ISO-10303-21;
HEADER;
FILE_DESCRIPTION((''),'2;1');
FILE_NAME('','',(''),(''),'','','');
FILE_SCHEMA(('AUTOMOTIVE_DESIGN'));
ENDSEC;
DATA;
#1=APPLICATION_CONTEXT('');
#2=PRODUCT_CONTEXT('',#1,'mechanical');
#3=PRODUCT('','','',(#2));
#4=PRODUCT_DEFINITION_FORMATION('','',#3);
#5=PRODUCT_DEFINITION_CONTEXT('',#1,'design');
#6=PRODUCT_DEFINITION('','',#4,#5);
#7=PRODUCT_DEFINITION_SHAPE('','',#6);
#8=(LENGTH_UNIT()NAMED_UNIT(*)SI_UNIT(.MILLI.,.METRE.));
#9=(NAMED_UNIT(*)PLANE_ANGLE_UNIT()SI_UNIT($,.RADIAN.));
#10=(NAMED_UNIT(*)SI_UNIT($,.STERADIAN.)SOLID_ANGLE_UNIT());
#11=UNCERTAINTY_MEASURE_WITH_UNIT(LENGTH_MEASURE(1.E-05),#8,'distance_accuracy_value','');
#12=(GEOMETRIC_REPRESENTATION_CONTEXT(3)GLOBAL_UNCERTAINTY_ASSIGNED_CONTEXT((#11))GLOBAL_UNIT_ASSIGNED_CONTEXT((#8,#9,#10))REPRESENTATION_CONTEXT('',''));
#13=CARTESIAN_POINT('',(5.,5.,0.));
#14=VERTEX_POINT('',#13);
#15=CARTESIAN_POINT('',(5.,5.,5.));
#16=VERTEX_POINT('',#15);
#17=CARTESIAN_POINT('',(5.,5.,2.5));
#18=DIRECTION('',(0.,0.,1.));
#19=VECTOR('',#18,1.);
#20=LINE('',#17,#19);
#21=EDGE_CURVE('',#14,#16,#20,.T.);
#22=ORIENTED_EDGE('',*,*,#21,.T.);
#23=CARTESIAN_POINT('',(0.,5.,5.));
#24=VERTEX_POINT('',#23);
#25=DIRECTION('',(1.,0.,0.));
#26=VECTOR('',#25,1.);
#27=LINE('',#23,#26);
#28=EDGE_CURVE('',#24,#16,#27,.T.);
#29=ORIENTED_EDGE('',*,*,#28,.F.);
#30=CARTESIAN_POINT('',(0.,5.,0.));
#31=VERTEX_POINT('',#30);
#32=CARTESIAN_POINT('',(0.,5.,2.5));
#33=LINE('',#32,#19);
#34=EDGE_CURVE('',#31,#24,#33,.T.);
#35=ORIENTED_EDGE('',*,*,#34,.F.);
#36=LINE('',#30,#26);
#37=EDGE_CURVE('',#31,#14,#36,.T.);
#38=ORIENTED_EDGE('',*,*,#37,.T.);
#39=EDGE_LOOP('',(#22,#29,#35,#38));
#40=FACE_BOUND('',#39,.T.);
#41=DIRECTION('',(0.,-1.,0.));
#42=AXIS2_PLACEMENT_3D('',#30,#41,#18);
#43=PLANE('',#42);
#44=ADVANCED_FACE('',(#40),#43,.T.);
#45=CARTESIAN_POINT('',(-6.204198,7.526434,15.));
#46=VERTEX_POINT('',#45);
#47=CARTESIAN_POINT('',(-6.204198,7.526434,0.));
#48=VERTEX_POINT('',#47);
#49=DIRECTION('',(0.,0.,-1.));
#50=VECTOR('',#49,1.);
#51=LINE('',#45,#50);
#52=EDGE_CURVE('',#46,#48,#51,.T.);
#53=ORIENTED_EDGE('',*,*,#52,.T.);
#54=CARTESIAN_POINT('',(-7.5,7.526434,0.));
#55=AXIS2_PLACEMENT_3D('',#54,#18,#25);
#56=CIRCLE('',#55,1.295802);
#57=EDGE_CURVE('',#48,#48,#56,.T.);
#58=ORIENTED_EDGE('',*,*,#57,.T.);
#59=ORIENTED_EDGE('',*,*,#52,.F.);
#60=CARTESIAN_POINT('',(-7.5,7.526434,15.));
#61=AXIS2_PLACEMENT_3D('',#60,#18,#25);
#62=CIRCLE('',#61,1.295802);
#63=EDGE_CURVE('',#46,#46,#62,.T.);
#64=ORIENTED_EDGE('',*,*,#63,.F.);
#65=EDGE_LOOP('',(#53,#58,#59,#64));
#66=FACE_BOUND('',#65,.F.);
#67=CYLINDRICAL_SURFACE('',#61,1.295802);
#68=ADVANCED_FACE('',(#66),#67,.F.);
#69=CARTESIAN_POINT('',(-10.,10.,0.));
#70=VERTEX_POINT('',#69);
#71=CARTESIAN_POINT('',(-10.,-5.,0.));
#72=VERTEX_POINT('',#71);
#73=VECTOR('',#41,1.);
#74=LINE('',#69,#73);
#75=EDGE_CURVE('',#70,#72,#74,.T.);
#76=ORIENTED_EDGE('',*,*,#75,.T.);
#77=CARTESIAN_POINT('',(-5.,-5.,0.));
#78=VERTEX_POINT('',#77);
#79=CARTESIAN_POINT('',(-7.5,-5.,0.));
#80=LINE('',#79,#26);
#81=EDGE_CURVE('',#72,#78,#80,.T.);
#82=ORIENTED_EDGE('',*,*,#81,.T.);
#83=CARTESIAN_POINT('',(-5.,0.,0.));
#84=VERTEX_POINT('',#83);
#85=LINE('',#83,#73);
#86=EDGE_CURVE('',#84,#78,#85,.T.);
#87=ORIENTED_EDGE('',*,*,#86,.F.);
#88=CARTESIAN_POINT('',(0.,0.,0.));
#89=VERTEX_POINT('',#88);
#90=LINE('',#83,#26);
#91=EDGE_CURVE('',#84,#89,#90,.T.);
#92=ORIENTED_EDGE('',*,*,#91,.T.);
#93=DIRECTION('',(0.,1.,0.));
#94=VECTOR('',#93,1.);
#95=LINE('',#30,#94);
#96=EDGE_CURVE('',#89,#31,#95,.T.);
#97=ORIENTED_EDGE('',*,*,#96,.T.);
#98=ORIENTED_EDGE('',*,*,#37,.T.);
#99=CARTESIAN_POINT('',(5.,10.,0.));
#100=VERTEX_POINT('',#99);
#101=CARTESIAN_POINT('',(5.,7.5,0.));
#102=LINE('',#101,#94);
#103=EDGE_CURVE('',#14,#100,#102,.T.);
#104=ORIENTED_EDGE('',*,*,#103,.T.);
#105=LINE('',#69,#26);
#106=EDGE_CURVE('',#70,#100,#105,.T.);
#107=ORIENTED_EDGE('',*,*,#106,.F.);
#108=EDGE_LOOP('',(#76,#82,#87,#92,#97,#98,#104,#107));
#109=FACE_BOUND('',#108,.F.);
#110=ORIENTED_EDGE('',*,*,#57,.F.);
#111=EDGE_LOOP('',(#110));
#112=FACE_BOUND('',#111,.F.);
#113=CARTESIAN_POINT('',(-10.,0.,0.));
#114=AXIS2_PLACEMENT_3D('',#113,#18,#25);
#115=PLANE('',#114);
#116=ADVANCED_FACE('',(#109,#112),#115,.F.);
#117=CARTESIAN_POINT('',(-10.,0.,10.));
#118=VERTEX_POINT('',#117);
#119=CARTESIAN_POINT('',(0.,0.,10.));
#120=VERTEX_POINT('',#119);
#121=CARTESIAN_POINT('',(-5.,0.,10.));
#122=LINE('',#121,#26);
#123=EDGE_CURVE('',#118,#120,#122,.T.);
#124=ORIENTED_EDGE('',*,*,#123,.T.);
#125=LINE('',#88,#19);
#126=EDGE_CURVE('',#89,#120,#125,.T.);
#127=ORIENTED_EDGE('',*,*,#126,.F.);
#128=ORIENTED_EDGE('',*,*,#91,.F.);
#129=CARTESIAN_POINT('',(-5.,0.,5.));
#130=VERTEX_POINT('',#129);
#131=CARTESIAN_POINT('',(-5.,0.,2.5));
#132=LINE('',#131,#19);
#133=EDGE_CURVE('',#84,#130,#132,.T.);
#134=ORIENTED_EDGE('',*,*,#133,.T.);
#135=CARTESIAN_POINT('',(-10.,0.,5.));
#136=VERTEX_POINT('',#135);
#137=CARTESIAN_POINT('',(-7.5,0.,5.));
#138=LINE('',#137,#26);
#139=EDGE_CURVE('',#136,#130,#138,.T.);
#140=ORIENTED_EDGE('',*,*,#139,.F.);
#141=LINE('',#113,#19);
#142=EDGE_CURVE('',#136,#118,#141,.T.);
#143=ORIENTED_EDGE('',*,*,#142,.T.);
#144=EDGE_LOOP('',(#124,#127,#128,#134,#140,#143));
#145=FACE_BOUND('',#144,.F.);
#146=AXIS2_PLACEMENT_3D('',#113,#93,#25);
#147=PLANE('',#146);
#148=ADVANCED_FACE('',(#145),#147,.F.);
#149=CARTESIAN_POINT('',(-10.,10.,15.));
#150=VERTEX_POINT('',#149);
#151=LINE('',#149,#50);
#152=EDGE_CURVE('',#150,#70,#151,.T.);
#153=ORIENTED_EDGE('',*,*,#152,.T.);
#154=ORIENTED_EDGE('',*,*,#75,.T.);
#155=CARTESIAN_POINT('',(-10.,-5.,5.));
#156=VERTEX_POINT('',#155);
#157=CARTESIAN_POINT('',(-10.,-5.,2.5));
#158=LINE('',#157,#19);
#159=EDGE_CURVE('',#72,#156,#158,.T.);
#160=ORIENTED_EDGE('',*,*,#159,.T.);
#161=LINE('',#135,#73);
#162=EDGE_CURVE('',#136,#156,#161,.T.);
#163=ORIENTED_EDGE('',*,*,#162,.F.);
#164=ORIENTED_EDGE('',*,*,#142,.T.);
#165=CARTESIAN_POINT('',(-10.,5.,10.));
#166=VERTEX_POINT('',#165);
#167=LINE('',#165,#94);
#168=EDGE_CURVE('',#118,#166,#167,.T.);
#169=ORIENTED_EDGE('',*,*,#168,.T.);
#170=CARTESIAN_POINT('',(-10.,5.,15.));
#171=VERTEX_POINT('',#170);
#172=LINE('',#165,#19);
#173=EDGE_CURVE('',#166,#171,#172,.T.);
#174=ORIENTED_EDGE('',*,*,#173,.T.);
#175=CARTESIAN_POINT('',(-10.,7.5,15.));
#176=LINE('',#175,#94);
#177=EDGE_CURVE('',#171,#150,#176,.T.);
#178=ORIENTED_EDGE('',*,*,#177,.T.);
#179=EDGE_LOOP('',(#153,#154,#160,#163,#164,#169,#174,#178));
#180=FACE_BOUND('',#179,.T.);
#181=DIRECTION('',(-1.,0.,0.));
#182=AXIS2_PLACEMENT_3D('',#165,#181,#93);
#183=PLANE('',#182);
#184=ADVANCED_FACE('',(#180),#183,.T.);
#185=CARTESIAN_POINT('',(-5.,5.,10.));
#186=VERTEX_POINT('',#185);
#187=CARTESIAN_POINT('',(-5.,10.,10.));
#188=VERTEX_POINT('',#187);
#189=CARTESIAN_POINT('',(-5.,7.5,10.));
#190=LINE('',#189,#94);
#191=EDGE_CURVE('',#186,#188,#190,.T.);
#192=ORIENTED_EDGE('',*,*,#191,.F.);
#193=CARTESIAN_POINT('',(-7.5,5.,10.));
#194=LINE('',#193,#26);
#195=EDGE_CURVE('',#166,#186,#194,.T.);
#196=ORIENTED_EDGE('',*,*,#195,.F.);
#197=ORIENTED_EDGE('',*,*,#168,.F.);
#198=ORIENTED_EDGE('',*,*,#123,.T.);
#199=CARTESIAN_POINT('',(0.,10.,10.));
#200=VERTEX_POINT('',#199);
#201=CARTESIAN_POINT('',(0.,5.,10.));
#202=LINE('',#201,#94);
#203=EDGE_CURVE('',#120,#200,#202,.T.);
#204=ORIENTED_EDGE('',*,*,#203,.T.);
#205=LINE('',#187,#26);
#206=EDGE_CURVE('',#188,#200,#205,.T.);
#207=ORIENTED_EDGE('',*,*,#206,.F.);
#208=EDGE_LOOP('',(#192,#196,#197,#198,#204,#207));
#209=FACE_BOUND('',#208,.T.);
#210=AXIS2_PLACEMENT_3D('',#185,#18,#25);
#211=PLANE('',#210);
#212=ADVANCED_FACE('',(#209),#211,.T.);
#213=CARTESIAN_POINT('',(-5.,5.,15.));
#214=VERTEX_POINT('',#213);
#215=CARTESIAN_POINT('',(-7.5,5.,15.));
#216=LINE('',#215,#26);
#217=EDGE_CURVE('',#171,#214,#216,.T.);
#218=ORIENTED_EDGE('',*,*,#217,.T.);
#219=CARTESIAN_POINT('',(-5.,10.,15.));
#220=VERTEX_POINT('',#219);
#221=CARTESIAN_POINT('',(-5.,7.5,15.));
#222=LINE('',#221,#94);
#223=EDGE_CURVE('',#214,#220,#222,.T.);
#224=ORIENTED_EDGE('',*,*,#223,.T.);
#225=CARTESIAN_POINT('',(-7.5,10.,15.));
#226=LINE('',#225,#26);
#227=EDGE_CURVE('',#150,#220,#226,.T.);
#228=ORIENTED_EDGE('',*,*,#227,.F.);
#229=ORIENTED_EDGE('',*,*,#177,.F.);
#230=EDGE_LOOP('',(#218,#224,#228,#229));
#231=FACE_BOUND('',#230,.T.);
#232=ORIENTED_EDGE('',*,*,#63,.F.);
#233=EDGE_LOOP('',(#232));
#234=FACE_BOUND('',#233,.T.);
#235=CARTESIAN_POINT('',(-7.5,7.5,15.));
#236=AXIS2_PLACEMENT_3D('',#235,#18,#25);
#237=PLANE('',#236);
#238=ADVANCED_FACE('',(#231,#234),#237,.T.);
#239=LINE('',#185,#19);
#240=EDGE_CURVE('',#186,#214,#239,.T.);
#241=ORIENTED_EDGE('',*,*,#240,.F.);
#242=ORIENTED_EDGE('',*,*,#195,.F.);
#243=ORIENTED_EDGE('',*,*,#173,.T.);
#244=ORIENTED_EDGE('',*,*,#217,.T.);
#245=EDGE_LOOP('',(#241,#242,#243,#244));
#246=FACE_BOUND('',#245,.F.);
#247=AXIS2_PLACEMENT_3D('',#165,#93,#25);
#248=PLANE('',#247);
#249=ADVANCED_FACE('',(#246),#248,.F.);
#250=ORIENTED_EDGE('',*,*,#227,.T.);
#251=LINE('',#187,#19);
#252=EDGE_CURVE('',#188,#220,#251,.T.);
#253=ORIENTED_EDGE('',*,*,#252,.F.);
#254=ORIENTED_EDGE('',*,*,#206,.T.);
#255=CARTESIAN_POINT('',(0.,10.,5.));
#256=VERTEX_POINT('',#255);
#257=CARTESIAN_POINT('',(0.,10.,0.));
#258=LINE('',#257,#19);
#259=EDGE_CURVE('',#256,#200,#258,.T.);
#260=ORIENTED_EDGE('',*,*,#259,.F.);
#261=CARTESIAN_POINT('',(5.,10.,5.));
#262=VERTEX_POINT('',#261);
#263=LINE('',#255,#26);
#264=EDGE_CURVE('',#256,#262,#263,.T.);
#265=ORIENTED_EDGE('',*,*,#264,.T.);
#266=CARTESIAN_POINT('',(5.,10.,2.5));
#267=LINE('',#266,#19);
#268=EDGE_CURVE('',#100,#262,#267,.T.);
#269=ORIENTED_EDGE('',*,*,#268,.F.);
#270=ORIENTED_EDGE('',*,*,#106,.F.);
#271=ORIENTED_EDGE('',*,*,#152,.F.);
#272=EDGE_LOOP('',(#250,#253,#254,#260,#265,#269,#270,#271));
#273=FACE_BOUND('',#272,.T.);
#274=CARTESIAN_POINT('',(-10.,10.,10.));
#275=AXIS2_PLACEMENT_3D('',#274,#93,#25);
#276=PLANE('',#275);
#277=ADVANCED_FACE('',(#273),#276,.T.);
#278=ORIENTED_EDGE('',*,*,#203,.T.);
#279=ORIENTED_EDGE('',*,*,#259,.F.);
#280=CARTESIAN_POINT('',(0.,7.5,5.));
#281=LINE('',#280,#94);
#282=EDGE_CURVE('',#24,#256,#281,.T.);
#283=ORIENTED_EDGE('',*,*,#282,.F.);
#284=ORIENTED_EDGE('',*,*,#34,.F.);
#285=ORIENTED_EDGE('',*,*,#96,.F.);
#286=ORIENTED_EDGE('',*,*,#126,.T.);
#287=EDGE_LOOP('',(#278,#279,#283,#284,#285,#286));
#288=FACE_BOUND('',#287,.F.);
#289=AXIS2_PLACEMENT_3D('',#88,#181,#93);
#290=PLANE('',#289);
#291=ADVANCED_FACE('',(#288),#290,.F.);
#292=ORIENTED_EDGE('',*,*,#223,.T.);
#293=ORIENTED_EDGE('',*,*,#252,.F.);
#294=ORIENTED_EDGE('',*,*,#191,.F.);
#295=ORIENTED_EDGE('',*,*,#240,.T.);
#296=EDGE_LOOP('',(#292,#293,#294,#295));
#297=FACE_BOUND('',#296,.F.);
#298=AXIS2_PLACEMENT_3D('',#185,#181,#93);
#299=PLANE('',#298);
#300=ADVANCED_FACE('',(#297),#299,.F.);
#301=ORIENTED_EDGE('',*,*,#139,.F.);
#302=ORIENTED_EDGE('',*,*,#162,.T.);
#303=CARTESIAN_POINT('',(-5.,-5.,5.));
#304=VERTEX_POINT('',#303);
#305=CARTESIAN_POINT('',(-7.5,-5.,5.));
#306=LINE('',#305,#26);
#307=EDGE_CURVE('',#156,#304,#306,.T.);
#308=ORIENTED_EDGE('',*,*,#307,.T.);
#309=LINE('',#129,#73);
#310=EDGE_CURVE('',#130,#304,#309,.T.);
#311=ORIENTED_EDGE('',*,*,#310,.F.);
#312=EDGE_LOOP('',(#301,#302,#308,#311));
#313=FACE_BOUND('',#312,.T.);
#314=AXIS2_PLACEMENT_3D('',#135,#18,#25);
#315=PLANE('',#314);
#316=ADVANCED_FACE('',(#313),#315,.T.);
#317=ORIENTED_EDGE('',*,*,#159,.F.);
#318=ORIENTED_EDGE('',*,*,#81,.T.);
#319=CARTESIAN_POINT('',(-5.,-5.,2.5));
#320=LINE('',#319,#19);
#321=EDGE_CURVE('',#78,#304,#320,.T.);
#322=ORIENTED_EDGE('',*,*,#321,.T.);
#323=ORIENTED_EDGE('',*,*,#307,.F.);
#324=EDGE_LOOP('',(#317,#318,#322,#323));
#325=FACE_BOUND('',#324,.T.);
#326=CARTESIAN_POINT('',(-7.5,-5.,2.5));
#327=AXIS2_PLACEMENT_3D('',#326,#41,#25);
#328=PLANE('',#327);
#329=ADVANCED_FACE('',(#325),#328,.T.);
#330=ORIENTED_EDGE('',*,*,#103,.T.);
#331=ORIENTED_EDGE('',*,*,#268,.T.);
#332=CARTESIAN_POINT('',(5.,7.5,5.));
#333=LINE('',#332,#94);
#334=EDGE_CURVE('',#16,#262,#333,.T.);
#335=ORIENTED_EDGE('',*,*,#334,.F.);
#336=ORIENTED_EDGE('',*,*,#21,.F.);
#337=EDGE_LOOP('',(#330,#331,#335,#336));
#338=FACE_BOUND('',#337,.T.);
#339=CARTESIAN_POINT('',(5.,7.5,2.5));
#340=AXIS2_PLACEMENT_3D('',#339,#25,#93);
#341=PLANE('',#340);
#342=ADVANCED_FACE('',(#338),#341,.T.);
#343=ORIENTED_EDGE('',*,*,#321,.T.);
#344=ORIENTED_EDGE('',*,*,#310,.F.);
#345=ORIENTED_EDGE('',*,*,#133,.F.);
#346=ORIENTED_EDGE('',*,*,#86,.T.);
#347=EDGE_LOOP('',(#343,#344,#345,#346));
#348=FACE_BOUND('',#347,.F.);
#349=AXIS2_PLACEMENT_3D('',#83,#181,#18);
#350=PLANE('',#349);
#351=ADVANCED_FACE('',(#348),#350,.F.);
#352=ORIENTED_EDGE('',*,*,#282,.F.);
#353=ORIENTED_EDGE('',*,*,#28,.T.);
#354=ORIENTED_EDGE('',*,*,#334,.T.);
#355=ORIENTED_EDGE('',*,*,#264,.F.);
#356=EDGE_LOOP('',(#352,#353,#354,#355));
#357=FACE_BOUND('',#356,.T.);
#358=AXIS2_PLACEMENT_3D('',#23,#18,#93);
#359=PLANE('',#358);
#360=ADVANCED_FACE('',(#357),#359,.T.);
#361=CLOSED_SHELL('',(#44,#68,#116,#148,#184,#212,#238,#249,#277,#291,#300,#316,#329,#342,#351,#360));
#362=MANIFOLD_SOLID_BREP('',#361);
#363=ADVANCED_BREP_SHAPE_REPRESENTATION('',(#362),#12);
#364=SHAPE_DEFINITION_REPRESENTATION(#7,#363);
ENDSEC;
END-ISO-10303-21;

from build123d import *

# Parameters (mm, degrees)
F0_W     = 10
F0_H     = 10
F1_DEPTH = 10
F2_W     = 5
F2_H     = 5
F3_DEPTH = 5
F4_W     = 5
F4_H     = 5
F5_DEPTH = 5
F6_W     = 5
F6_H     = 5
F7_DEPTH = 5
F8_R     = 1.295802
F9_DEPTH = 25


with BuildPart() as f1:
    # F0 (on Top) → F1 (new body)
    with BuildSketch(Plane.XY):
        with Locations((-5, 5)):
            Rectangle(F0_W, F0_H)
    extrude(amount=F1_DEPTH)

    # F2 (on face) → F3 (join)
    with BuildSketch(Plane.YZ):
        with Locations((7.5, 2.5)):
            Rectangle(F2_W, F2_H)
    extrude(amount=F3_DEPTH)

    # F4 (on face) → F5 (join)
    with BuildSketch(Plane.XZ):
        with Locations((-7.5, 2.5)):
            Rectangle(F4_W, F4_H)
    extrude(amount=F5_DEPTH)

    # F6 (on face) → F7 (join)
    with BuildSketch(Plane.XY.offset(10)):
        with Locations((-7.5, 7.5)):
            Rectangle(F6_W, F6_H)
    extrude(amount=F7_DEPTH)

    # F8 (on face) → F9 (cut)
    with BuildSketch(Plane.XY.offset(15)):
        with Locations((-7.5, 7.526434)):
            Circle(F8_R)
    extrude(amount=-F9_DEPTH, mode=Mode.SUBTRACT)


solid = f1.part
